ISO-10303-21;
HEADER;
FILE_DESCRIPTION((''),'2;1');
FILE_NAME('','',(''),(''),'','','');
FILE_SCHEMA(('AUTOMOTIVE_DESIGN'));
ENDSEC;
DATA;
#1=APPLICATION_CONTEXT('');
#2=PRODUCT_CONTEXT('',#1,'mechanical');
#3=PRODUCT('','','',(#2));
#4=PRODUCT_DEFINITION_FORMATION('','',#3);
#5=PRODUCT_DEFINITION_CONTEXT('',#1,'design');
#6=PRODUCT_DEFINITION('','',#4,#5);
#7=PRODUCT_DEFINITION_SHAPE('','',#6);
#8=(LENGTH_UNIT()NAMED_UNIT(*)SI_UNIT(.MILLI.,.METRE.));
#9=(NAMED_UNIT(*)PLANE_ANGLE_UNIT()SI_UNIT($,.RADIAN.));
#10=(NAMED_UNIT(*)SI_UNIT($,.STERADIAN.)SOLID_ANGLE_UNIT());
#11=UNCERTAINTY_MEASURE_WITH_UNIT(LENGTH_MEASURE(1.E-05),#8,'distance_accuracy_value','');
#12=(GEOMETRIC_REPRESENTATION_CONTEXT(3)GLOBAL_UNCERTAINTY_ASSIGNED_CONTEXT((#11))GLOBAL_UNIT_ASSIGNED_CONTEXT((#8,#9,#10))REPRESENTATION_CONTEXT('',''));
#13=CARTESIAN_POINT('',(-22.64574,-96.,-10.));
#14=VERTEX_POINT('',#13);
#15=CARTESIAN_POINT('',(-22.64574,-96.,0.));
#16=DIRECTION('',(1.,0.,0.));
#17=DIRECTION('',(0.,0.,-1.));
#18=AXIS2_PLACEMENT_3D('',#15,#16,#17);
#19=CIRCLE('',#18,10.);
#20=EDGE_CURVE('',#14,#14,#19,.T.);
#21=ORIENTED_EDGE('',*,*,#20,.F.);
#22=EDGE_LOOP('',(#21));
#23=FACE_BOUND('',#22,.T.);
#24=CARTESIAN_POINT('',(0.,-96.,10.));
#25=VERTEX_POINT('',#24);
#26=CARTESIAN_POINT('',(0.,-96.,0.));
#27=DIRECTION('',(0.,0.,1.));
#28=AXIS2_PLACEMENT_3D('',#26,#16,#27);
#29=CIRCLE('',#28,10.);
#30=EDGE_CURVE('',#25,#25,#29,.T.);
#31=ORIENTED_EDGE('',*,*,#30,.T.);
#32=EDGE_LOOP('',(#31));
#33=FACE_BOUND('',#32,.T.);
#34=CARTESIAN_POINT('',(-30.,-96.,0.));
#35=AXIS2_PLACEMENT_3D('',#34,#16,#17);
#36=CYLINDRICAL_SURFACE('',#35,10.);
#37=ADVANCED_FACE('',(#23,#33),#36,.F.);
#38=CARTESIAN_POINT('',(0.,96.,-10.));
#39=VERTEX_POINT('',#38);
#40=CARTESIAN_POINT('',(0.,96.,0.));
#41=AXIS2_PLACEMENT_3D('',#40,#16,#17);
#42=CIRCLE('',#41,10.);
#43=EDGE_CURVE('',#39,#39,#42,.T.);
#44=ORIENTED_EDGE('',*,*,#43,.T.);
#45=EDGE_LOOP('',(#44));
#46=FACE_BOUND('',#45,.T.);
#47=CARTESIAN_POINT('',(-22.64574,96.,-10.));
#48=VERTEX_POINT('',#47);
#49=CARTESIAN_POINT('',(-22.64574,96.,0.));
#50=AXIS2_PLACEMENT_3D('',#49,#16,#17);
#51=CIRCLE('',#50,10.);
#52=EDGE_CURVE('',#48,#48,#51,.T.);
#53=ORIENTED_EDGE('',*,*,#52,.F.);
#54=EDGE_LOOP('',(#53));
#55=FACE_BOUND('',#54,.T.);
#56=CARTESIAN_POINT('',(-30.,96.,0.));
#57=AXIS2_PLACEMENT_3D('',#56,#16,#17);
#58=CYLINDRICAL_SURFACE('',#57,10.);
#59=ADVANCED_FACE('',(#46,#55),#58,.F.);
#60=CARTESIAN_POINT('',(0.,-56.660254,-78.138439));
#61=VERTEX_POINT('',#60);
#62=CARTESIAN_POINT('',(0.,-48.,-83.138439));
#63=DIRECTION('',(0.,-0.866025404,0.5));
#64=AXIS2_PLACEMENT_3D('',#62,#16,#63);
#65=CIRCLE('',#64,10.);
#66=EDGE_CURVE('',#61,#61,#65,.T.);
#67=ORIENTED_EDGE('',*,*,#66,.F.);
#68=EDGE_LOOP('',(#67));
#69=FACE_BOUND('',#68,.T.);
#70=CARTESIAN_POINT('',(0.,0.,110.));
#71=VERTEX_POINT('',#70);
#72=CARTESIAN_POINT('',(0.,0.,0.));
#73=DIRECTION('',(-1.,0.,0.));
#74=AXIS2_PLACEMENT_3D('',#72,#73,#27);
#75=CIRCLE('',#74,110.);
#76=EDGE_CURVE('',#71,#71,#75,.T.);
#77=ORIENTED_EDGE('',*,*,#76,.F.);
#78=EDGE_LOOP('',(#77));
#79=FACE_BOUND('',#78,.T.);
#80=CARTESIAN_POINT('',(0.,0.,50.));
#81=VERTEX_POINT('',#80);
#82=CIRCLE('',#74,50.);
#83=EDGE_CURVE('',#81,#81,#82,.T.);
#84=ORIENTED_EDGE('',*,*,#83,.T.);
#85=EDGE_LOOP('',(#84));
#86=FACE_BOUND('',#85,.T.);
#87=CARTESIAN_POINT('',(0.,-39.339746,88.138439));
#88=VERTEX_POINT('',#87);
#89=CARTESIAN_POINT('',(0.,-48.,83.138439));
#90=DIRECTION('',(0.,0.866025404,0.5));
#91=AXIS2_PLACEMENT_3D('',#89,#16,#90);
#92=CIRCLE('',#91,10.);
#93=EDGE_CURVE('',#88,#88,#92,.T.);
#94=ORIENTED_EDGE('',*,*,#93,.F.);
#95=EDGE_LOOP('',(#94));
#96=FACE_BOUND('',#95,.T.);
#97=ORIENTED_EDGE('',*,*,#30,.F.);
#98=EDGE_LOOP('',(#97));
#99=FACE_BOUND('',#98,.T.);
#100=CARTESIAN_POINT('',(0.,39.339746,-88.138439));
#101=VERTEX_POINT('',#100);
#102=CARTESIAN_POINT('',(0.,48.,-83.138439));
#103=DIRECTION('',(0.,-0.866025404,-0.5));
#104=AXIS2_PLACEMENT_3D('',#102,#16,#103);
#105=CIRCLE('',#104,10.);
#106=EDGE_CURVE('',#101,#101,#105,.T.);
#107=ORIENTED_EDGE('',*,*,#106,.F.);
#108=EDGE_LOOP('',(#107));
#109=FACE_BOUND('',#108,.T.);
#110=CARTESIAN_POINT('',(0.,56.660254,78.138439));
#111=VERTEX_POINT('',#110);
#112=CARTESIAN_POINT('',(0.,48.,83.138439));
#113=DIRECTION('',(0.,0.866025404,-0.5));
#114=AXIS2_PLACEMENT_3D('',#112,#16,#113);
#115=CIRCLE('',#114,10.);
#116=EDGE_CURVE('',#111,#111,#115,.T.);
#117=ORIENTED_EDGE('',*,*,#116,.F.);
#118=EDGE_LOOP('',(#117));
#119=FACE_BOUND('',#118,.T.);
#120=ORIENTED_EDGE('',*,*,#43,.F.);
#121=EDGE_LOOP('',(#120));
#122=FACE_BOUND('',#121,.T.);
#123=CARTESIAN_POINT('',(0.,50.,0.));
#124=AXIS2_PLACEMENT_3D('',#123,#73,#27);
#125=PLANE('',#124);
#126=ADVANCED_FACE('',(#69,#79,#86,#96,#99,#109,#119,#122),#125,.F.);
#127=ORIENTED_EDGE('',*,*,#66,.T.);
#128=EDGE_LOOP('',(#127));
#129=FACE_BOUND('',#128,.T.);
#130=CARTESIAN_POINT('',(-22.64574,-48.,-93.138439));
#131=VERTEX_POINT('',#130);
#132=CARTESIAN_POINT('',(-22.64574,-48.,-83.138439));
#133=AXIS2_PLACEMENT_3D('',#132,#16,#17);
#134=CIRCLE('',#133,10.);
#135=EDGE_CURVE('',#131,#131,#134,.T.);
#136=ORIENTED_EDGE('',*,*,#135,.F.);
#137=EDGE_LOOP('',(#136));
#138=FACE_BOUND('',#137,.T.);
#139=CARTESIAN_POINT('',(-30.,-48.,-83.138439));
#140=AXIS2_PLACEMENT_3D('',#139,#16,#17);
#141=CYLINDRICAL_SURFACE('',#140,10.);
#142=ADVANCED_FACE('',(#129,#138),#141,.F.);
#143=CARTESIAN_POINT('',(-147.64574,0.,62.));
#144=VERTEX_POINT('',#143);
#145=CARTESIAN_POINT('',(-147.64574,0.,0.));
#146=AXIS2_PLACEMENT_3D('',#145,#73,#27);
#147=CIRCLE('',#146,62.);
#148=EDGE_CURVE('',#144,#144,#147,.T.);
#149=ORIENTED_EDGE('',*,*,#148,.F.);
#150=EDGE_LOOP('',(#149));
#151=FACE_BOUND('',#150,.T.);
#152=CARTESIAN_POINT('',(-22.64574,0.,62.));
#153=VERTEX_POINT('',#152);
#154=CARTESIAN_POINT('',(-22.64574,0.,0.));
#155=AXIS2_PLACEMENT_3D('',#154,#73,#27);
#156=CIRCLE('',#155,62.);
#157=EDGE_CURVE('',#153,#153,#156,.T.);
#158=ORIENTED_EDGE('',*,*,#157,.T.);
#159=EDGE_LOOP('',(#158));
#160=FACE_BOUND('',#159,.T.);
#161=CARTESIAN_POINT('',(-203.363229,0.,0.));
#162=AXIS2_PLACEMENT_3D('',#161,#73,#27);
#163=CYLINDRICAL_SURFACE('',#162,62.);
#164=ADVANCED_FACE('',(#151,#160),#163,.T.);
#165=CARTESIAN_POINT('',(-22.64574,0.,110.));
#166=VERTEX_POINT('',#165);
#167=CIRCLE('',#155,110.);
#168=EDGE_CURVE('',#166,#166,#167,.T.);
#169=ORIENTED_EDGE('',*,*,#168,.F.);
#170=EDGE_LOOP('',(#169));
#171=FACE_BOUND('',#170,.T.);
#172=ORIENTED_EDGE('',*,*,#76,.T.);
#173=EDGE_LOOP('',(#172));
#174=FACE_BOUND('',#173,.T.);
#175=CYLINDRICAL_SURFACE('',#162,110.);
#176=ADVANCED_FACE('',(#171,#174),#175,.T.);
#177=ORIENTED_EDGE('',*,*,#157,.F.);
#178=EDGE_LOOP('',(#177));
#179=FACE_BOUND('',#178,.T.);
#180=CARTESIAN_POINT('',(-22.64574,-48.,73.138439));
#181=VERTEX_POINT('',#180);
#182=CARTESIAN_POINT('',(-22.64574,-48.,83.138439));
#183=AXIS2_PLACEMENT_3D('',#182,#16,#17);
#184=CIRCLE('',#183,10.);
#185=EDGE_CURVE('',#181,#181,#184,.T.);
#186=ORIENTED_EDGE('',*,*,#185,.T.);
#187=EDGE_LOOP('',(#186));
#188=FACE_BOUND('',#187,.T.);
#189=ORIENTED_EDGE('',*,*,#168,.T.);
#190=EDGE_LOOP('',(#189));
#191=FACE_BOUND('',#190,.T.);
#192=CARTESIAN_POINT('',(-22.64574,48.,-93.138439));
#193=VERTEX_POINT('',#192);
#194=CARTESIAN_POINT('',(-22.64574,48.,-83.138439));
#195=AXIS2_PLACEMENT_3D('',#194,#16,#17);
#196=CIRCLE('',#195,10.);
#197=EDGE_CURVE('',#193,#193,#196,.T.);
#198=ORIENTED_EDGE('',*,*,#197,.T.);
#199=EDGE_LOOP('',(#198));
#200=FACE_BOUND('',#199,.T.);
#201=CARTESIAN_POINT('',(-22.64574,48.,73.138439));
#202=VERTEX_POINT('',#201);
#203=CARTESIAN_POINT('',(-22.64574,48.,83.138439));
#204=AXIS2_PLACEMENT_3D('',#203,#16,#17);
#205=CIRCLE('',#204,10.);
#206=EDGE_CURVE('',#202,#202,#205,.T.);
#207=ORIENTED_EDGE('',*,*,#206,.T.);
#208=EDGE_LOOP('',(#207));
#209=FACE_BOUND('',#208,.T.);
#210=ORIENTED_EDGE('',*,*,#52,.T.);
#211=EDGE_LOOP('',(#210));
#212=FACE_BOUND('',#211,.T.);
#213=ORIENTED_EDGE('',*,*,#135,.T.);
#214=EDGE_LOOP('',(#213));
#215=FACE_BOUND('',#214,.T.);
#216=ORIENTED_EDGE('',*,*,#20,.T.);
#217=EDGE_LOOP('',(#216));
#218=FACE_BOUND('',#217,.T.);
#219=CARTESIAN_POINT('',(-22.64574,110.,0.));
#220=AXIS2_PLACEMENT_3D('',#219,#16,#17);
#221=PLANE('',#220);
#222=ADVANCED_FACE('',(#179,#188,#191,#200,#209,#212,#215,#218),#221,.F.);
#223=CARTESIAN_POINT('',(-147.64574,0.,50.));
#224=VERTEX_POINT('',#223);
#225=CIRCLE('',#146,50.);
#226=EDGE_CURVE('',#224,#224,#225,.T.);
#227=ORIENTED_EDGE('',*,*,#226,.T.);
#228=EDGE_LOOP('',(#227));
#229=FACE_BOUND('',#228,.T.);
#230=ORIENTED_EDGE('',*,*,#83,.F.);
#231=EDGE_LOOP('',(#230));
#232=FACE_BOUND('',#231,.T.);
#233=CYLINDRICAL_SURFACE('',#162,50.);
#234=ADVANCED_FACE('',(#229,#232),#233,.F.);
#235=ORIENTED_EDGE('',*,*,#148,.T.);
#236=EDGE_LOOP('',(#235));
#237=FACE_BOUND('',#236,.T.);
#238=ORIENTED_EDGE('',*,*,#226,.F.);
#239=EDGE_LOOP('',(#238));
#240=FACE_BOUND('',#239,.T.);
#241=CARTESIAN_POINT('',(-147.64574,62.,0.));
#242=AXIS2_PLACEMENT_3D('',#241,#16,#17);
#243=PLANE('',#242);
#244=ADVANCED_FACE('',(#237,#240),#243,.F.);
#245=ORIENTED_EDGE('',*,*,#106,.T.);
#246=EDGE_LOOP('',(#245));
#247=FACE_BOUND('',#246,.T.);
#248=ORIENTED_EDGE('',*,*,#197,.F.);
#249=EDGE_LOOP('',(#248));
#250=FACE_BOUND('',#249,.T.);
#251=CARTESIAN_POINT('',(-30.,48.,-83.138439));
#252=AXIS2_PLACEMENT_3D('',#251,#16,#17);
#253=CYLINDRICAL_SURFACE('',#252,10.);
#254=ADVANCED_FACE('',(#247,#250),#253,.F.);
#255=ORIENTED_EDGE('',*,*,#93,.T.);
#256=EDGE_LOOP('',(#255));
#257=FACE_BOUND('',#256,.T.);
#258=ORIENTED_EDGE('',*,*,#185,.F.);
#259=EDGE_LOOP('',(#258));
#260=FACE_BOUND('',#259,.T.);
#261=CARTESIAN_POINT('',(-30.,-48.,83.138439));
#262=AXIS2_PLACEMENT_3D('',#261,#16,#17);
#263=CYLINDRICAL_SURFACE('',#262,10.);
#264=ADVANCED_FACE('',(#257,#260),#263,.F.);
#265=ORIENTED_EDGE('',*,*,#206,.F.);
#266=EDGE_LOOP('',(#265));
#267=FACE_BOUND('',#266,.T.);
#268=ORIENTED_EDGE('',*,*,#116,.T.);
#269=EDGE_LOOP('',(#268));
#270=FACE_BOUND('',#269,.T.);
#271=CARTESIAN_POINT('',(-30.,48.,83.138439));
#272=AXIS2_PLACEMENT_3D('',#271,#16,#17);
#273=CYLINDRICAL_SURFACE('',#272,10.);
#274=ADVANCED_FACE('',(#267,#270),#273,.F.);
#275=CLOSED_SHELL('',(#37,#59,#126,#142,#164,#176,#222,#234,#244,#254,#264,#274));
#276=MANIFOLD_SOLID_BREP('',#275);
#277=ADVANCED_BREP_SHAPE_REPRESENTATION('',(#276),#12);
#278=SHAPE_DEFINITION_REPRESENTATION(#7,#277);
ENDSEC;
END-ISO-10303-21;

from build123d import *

# Parameters (mm, degrees)
SKETCH2_R          = 10
CUT_EXTRUDE1_DEPTH = 30
CIRPATTERN1_COUNT  = 6


with BuildPart() as part:
    # Sketch1 → Revolve1 (revolve)
    with BuildSketch(Plane.XY):
        Polygon((-147.64573991, 50), (0, 50), (0, 110), (-22.64573991, 110), (-22.64573991, 62), (-147.64573991, 62), align=None)
    revolve(axis=Axis((-203.3632287, 0, 0), (1, 0, 0)))

    # Sketch2 → Cut-Extrude1 (cut)
    with BuildSketch(Plane(origin=(0, 0, 0), x_dir=(0, 0, -1), z_dir=(1, 0, 0))):
        with Locations((0, 96)):
            Circle(SKETCH2_R)
    cut_extrude1 = extrude(amount=-CUT_EXTRUDE1_DEPTH, mode=Mode.SUBTRACT)

    # CirPattern1: Cut-Extrude1 ×6 about axis
    cirpattern1_axis = Axis((0, 0, 0), (1, 0, 0))
    for i in range(1, CIRPATTERN1_COUNT):
        add(cut_extrude1.rotate(cirpattern1_axis, i * 360 / CIRPATTERN1_COUNT), mode=Mode.SUBTRACT)


solid = part.part
